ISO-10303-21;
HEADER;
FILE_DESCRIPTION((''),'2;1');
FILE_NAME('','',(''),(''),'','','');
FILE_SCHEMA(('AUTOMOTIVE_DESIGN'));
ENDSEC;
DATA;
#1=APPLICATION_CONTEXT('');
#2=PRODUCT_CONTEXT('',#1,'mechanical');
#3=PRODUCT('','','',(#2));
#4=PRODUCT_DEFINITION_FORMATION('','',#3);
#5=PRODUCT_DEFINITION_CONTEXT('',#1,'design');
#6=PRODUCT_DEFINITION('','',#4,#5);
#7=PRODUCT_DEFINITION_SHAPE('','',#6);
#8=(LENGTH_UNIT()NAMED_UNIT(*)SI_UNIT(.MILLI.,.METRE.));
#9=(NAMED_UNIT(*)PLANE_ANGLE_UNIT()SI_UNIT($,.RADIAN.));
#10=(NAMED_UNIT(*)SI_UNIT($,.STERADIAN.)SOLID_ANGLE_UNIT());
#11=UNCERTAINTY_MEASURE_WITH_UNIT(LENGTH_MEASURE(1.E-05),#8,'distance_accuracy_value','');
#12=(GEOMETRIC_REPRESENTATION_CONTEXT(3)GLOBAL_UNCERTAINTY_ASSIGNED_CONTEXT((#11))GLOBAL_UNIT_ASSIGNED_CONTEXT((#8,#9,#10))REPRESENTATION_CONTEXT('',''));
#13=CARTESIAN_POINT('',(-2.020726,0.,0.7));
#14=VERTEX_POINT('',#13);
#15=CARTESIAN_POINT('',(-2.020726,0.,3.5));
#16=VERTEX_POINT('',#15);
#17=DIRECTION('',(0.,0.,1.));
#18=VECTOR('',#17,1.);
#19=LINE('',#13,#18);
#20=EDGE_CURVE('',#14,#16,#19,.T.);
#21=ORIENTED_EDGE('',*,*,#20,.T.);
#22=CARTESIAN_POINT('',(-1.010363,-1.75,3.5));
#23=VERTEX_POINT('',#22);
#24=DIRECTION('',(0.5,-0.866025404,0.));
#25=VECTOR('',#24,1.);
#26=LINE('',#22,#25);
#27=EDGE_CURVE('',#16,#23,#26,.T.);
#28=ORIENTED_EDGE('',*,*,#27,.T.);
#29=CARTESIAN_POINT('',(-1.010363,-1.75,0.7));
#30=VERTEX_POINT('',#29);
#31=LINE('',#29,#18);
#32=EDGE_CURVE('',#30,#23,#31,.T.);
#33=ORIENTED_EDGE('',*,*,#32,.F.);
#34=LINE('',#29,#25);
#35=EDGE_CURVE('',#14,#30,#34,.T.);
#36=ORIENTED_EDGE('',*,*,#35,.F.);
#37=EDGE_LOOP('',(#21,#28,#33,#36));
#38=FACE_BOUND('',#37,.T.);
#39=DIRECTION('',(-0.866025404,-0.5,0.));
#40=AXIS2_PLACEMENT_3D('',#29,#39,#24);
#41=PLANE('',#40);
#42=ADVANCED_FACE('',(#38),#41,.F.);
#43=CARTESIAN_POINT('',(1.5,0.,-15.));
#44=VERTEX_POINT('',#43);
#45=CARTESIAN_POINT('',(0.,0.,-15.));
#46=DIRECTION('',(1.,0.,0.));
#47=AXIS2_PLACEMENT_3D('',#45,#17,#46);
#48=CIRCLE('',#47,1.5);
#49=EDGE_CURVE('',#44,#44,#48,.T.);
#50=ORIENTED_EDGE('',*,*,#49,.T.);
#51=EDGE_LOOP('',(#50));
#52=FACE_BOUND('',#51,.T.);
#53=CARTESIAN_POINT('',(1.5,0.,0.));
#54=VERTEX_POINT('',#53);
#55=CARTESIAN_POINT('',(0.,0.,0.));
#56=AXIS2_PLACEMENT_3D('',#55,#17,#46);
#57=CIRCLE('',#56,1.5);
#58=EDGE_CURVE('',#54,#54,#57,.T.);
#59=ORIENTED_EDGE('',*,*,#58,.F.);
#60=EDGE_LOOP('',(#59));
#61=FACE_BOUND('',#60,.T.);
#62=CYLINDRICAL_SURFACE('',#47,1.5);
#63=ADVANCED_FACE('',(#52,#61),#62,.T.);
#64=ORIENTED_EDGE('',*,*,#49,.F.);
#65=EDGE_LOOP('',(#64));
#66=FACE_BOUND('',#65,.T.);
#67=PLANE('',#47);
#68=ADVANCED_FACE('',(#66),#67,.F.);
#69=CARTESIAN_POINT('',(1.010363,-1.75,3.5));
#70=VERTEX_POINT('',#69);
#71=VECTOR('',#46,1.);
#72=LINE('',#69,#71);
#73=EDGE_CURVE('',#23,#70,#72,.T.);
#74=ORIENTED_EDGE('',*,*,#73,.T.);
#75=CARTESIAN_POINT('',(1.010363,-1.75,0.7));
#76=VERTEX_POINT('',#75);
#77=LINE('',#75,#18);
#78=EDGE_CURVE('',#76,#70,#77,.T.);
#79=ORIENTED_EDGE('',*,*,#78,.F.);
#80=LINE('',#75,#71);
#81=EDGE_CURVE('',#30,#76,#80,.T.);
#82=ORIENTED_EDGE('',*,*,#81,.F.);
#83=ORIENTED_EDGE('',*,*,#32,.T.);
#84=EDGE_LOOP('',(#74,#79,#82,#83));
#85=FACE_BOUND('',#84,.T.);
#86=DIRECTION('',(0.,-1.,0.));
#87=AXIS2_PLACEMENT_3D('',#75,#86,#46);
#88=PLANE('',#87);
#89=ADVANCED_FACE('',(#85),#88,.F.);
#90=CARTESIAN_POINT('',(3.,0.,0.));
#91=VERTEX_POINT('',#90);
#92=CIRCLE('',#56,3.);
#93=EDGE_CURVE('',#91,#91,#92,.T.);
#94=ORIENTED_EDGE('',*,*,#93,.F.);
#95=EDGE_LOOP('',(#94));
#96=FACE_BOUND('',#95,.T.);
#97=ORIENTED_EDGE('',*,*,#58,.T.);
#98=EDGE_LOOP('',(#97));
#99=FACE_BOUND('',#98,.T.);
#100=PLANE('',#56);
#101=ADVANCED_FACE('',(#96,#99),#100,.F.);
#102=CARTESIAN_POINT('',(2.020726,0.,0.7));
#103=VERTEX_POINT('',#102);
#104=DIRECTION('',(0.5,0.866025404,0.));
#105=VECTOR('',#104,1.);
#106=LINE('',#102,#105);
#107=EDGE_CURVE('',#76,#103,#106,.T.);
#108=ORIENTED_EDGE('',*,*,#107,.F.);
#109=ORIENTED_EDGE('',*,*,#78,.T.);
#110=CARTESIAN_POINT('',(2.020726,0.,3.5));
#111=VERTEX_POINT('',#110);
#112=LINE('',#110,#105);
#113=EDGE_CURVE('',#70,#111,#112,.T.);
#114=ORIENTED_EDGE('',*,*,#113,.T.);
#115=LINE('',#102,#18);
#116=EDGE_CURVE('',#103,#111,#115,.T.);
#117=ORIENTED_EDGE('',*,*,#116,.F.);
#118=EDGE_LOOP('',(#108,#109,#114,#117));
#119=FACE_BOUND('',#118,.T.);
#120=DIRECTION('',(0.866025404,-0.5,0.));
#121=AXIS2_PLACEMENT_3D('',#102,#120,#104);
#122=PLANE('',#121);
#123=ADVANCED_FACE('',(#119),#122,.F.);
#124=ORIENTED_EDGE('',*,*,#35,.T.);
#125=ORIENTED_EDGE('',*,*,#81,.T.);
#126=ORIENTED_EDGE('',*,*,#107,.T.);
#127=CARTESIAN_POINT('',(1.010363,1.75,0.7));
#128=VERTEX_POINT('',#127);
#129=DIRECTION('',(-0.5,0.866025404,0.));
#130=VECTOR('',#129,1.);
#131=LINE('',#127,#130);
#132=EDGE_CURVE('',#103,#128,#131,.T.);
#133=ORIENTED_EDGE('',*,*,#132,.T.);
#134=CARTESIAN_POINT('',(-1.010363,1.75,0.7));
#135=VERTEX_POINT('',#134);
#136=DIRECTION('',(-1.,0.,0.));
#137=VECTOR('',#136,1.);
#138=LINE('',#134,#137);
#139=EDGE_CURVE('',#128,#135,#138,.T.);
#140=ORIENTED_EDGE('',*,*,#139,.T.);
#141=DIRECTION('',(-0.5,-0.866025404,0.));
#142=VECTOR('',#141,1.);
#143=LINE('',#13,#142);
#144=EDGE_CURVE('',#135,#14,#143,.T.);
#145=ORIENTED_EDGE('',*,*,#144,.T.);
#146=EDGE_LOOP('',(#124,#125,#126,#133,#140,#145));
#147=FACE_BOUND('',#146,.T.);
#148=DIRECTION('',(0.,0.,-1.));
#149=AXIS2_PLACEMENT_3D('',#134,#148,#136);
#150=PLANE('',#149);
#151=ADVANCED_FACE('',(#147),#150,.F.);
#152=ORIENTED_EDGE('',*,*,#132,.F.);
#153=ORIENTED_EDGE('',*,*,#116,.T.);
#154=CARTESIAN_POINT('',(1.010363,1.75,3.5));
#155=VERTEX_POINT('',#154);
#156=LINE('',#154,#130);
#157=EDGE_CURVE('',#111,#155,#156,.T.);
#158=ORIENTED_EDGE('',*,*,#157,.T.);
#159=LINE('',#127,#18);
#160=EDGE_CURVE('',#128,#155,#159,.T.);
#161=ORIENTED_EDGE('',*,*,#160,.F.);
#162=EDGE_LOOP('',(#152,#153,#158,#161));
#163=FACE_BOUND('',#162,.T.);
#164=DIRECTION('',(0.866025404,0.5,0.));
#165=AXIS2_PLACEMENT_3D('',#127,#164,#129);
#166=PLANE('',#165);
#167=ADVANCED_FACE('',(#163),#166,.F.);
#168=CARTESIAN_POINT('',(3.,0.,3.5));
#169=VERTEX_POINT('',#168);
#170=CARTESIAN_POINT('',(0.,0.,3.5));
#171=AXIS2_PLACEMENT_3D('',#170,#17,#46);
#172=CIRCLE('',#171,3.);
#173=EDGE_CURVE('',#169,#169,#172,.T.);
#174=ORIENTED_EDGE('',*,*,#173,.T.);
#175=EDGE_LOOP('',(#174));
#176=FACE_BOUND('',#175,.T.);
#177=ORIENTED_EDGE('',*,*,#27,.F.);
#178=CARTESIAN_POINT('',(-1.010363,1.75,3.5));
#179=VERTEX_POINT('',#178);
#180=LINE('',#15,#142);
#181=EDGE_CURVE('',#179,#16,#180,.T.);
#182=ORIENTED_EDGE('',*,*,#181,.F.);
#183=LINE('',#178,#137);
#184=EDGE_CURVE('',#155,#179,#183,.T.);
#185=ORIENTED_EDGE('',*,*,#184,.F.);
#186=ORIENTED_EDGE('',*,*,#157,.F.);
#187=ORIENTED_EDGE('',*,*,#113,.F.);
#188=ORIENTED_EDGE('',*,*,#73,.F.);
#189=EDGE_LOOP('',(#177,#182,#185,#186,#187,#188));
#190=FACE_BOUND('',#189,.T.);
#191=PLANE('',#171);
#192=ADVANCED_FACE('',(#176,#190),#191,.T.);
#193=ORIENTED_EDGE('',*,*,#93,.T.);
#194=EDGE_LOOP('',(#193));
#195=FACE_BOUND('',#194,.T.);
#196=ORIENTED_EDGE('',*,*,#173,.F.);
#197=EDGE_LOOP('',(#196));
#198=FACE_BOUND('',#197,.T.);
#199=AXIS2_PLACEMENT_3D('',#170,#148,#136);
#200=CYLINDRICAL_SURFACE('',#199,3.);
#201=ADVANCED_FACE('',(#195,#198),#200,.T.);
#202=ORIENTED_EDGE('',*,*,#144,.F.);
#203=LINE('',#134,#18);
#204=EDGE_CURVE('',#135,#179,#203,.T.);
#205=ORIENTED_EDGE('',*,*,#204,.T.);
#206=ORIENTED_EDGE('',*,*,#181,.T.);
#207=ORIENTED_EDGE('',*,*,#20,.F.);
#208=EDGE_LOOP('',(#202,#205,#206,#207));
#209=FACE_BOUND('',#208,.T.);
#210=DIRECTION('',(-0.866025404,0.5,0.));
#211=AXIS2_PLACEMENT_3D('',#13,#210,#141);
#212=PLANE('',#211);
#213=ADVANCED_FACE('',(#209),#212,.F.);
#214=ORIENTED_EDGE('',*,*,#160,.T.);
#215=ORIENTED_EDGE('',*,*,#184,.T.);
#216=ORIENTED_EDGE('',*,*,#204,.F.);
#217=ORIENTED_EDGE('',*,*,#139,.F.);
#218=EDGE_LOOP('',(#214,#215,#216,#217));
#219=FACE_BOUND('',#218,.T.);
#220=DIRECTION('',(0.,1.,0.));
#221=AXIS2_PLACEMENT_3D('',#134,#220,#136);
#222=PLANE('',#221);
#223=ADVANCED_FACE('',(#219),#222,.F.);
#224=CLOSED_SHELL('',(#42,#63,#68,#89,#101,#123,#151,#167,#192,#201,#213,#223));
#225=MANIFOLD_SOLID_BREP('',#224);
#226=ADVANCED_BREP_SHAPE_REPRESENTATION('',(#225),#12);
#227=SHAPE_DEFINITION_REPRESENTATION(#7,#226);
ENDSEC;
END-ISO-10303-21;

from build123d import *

# Parameters (mm, degrees)
SKETCH1_R                   = 3
HEAD_BOSS_EXTRUDE1_DEPTH    = 3.5
HEAD_HEX_CUT_EXTRUDE1_DEPTH = 2.8
SKETCH2_R                   = 1.5
SCREW_BOSS_EXTRUDE2_DEPTH   = 15


with BuildPart() as part:
    # Sketch1 → Head Boss-Extrude1 (new body)
    with BuildSketch(Plane.XY):
        Circle(SKETCH1_R)
    extrude(amount=HEAD_BOSS_EXTRUDE1_DEPTH)

    # Sketch3 → Head Hex Cut-Extrude1 (cut)
    with BuildSketch(Plane.XY.offset(3.5)):
        Polygon((-1.010362971, 1.75), (1.010362971, 1.75), (2.020725942, 0), (1.010362971, -1.75), (-1.010362971, -1.75), (-2.020725942, 0), align=None)
    extrude(amount=-HEAD_HEX_CUT_EXTRUDE1_DEPTH, mode=Mode.SUBTRACT)

    # Sketch2 → Screw Boss-Extrude2 (add)
    with BuildSketch(Plane.XY):
        Circle(SKETCH2_R)
    extrude(amount=-SCREW_BOSS_EXTRUDE2_DEPTH)


solid = part.part
